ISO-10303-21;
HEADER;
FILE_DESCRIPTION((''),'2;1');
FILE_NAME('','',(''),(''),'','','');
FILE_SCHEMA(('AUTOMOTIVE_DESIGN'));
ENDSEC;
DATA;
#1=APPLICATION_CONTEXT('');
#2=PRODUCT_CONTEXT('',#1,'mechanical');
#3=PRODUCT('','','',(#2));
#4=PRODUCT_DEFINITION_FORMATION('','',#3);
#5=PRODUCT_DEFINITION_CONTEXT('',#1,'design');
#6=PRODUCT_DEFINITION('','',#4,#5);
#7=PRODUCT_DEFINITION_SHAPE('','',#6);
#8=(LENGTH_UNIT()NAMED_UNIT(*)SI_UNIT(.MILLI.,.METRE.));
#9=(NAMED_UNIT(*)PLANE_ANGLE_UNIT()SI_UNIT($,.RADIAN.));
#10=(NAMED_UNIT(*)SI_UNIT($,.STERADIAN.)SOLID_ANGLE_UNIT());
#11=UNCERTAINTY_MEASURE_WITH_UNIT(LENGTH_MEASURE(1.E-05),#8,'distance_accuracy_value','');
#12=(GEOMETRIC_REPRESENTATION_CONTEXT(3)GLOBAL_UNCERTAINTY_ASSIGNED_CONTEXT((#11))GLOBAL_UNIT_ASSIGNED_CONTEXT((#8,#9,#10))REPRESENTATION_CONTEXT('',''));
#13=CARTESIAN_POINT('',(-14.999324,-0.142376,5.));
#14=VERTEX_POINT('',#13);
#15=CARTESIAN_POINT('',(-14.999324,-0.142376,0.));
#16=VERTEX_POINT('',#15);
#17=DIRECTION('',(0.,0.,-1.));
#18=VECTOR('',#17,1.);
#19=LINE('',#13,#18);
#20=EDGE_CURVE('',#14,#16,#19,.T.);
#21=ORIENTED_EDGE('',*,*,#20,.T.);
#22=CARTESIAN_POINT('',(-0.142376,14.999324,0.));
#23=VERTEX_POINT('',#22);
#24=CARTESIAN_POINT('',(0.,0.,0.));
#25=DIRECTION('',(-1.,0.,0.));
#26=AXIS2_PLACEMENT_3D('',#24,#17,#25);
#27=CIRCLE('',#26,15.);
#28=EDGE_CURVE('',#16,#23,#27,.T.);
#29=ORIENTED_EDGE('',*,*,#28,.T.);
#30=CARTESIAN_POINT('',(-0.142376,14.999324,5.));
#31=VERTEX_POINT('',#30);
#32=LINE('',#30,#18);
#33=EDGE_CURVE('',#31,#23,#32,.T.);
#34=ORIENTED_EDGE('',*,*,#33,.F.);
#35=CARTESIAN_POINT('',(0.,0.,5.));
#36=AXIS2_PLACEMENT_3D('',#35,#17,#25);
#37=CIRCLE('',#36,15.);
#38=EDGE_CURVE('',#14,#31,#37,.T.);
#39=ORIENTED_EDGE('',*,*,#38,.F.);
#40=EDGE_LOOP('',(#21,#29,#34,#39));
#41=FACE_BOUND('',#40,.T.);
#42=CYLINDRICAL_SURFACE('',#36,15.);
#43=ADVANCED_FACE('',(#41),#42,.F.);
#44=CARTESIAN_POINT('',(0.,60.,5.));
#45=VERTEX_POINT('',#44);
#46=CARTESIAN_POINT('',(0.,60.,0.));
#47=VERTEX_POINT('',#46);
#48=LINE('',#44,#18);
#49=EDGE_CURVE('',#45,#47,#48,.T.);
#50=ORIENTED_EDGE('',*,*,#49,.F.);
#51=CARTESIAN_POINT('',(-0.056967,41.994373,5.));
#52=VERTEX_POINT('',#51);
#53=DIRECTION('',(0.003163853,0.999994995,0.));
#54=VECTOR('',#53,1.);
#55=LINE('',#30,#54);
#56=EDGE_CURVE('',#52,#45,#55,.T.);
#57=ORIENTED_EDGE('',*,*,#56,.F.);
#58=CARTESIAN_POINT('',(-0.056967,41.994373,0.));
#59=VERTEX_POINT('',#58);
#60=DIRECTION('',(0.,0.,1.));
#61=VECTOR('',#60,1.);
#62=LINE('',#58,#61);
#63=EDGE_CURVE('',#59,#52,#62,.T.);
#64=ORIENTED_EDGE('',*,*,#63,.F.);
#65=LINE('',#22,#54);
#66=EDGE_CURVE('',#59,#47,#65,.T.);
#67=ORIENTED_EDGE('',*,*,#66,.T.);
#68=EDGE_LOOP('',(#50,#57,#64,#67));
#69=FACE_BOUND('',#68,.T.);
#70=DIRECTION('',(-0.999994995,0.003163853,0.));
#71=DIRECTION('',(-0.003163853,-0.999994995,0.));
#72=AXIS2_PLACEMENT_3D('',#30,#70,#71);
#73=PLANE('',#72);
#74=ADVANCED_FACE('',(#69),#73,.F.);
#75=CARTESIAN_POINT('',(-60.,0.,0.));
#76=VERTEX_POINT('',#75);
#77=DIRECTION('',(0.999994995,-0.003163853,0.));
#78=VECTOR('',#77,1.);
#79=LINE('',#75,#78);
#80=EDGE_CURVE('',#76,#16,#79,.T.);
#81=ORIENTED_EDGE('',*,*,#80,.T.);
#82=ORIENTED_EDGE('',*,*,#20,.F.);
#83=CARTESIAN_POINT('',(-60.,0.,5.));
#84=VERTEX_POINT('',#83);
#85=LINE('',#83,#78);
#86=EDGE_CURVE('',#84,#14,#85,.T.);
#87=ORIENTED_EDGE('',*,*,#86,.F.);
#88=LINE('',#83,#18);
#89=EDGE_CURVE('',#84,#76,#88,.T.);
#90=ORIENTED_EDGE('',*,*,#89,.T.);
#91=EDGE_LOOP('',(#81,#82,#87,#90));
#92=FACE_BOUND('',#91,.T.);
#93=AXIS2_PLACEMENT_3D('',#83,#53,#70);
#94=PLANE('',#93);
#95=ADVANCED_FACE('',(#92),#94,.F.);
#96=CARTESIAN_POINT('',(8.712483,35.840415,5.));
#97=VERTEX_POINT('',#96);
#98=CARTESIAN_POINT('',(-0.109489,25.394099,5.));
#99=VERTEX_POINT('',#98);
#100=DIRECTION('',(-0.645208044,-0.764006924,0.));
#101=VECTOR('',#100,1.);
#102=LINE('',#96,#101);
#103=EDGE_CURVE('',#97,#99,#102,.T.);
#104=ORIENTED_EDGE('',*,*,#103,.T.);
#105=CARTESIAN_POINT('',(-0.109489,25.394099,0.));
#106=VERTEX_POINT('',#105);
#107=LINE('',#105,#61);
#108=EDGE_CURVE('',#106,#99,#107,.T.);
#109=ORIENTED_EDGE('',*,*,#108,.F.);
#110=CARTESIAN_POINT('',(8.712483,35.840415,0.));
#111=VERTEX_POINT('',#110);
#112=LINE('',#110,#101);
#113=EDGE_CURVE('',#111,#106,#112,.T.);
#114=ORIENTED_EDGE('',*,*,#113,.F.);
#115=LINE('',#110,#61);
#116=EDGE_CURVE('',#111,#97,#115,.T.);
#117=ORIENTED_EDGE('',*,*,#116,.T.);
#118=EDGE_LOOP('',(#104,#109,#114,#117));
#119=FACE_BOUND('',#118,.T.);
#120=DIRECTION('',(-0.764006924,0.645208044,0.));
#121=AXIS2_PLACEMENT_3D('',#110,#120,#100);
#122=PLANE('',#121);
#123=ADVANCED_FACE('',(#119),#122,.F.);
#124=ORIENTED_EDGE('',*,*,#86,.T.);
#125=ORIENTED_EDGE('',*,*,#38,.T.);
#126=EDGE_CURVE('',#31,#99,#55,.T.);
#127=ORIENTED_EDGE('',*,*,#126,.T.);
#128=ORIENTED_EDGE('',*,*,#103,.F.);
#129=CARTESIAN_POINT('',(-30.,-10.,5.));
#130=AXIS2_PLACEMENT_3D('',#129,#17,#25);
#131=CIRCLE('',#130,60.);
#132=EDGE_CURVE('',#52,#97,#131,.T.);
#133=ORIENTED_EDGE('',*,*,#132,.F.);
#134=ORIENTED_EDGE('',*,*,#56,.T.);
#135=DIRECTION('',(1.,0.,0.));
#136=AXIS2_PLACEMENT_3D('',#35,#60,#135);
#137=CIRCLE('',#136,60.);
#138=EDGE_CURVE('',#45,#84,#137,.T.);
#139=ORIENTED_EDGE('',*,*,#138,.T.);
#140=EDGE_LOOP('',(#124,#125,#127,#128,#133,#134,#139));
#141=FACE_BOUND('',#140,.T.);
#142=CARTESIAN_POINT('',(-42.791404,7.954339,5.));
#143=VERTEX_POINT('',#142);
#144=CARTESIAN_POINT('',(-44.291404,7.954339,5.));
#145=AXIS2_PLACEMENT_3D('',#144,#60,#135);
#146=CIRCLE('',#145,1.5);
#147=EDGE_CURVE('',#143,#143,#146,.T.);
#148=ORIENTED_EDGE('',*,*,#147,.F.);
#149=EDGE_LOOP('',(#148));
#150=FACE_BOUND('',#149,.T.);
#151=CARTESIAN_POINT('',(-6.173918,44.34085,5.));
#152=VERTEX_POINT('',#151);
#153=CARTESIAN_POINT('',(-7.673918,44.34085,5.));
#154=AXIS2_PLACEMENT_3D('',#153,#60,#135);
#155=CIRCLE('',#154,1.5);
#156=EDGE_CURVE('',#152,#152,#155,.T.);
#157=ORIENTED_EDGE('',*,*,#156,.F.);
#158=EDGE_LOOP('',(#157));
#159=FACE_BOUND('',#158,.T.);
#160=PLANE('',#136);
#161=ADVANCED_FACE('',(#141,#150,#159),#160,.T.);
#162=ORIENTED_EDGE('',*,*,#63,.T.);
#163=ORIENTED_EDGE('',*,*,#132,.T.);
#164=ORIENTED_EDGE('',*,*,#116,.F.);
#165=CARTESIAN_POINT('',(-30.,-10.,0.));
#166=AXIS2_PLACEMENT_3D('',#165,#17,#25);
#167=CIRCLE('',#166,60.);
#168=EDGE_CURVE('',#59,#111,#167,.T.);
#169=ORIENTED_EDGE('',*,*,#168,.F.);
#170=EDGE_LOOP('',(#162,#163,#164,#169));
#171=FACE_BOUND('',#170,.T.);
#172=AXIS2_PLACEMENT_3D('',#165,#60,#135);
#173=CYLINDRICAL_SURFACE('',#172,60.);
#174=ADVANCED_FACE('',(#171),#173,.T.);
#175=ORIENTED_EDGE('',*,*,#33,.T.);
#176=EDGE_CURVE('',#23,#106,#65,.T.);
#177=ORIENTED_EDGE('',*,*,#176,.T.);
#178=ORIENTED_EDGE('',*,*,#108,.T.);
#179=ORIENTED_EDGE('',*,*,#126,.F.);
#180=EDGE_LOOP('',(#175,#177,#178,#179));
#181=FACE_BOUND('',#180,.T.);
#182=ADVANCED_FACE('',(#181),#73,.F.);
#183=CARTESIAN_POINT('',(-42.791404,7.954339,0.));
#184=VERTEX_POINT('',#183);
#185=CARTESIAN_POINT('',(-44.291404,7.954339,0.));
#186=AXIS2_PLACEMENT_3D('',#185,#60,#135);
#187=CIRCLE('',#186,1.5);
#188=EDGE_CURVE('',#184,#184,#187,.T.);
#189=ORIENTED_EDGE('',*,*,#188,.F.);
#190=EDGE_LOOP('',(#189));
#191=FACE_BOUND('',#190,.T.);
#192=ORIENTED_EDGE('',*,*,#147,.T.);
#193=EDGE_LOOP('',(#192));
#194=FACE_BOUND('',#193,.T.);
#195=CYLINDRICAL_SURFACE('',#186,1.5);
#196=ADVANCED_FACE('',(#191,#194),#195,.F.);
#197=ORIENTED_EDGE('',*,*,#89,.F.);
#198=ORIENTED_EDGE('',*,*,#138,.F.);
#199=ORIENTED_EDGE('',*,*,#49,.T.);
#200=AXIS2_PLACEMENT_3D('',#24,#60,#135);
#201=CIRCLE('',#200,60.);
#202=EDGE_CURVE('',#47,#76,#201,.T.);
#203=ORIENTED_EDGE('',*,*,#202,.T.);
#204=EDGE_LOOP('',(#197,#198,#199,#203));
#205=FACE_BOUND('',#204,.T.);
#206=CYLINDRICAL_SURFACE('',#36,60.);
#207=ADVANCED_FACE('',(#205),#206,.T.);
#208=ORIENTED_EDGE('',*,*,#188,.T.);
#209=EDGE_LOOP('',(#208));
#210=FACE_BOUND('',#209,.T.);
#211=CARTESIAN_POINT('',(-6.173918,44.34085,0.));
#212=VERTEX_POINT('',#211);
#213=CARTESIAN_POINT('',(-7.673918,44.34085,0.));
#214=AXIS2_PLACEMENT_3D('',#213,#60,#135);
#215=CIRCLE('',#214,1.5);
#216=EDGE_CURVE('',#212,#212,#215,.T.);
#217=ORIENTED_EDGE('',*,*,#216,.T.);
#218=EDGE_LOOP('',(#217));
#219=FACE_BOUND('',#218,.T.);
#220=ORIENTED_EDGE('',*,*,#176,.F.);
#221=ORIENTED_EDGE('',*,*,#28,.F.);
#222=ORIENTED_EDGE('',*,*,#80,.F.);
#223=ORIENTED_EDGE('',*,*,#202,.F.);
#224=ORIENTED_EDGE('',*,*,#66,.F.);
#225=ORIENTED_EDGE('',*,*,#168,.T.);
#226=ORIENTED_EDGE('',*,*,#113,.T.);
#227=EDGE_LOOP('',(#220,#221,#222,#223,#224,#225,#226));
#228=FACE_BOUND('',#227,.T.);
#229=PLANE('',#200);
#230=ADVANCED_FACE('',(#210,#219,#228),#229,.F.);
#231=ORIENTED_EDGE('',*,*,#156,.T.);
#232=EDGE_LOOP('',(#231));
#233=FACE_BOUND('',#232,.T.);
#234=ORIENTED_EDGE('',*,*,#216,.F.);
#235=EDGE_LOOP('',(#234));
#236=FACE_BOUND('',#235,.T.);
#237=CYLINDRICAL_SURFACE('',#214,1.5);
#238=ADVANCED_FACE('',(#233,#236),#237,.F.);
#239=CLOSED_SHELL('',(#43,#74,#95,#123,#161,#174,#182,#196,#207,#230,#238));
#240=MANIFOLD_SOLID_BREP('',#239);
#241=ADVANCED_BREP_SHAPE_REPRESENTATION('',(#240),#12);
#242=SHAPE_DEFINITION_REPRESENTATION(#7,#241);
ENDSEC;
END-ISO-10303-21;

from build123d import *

# Parameters (mm, degrees)
BOSS_EXTRUDE1_DEPTH = 5
SKETCH3_R           = 1.5
CUT_EXTRUDE1_DEPTH  = 5
BOSS_EXTRUDE2_DEPTH = 5


with BuildPart() as part:
    # Sketch2 → Boss-Extrude1 (new body)
    with BuildSketch(Plane.XY):
        with BuildLine():
            Line((-60, 0), (-14.999324285, -0.142376231))
            ThreePointArc((-14.999324285, -0.142376231), (-10.706799113, 10.505448717), (-0.142376231, 14.999324285))
            Line((-0.142376231, 14.999324285), (0, 60))
            ThreePointArc((0, 60), (-42.426406871, 42.426406871), (-60, 0))
        make_face()
    extrude(amount=BOSS_EXTRUDE1_DEPTH)

    # Sketch3 → Cut-Extrude1 (cut)
    with BuildSketch(Plane.XY.offset(5)):
        with Locations((-7.673918476, 44.34084996)):
            Circle(SKETCH3_R)
        with Locations((-44.291404204, 7.954339294)):
            Circle(SKETCH3_R)
    extrude(amount=-CUT_EXTRUDE1_DEPTH, mode=Mode.SUBTRACT)

    # Sketch4 → Boss-Extrude2 (add)
    with BuildSketch(Plane.XY.offset(5)):
        with BuildLine():
            Line((8.712482668, 35.840415418), (-0.109488527, 25.394099488))
            Line((-0.109488527, 25.394099488), (-0.056967441, 41.994372784))
            ThreePointArc((-0.056967441, 41.994372784), (4.465384672, 39.11351402), (8.712482668, 35.840415418))
        make_face()
    extrude(amount=-BOSS_EXTRUDE2_DEPTH)


solid = part.part
